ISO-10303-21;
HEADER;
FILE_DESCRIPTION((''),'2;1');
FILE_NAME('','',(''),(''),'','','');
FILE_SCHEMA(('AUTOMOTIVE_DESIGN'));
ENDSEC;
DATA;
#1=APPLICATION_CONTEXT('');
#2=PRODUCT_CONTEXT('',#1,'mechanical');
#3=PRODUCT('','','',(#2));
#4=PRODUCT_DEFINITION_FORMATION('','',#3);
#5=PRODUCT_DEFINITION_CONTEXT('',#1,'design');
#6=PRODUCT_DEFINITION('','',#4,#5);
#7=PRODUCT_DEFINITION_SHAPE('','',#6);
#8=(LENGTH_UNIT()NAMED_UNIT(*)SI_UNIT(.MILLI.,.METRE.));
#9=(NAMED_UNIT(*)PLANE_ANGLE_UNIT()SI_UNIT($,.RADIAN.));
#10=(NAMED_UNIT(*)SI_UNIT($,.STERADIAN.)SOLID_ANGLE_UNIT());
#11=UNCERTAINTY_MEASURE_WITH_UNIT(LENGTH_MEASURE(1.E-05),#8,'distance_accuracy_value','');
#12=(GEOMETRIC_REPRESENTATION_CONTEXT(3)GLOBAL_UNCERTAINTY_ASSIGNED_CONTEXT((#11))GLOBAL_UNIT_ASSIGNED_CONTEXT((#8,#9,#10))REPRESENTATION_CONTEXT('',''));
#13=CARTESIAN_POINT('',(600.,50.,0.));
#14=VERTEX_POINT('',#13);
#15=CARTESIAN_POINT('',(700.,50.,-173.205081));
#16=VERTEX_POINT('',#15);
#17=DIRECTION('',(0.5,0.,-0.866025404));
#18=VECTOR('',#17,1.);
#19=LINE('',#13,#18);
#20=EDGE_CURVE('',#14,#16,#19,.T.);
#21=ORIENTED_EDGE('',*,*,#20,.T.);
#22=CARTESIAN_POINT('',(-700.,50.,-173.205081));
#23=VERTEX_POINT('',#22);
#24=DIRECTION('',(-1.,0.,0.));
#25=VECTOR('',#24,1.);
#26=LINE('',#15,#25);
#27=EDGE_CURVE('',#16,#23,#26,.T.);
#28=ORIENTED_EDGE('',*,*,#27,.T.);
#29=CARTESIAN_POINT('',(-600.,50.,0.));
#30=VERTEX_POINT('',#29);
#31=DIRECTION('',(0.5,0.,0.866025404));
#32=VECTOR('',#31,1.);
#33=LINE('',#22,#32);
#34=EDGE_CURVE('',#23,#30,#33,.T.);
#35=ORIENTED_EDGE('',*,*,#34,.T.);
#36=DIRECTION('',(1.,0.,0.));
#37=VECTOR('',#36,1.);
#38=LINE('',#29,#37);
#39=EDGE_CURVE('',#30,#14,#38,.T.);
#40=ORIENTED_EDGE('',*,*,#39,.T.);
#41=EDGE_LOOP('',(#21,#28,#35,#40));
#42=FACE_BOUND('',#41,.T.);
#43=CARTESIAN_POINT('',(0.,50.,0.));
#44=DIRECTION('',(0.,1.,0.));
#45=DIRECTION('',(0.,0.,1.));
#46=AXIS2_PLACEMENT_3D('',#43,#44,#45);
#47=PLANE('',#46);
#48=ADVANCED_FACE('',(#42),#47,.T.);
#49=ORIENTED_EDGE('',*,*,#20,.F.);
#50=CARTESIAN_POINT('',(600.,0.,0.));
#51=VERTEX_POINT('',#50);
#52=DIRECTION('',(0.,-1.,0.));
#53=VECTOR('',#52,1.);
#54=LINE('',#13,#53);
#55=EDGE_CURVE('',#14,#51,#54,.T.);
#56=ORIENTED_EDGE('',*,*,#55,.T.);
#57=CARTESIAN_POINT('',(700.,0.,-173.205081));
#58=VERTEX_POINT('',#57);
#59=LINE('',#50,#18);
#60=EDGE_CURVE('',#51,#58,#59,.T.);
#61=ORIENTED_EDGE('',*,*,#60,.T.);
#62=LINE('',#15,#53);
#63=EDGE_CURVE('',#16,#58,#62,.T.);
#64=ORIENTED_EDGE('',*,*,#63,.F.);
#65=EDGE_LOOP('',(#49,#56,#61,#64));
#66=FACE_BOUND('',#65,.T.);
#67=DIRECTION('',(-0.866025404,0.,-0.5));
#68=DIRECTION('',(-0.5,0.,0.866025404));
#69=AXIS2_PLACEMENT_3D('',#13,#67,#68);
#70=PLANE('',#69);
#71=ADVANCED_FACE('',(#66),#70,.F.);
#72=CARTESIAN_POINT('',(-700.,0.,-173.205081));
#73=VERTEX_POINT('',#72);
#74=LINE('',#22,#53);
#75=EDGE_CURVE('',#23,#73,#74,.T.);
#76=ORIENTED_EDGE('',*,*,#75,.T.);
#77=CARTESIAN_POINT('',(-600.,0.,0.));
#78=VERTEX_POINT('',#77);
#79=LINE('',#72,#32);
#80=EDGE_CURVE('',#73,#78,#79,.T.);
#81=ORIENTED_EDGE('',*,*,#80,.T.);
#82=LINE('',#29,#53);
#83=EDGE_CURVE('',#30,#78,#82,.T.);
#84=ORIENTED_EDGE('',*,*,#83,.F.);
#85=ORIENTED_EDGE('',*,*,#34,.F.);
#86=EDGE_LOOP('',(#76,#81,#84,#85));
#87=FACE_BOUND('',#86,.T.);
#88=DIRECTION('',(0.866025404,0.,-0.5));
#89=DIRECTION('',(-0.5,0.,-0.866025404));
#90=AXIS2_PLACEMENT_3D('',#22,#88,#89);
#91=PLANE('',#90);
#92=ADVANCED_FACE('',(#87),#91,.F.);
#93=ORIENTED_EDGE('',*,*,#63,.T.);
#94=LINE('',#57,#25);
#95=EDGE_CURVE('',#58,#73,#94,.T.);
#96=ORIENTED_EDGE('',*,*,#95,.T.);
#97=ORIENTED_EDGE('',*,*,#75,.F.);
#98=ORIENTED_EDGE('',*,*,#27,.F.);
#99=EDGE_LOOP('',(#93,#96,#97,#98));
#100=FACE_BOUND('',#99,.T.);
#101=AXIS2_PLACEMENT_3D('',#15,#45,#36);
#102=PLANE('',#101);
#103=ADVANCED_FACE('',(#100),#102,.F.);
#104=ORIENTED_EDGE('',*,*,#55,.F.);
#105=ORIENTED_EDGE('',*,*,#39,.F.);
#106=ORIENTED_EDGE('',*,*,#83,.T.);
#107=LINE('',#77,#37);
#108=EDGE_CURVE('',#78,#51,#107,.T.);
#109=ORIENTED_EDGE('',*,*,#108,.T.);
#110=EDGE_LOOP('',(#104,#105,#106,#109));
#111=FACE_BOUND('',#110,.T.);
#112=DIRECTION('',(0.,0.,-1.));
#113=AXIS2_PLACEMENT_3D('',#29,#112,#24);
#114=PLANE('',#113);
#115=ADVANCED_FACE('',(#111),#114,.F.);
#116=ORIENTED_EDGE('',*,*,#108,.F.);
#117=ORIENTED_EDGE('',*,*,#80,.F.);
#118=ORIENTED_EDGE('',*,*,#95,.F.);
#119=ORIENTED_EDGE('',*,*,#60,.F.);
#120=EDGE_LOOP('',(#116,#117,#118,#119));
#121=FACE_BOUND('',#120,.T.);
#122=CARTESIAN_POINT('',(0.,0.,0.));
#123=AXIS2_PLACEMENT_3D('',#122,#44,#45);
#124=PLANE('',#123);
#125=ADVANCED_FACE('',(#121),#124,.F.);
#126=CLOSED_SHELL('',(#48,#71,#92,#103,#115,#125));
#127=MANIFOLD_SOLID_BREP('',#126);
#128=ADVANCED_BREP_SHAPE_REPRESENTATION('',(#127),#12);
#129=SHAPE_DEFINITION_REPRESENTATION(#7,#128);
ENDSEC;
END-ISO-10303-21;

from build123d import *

# Parameters (mm, degrees)
BOSS_EXTRUDE1_DEPTH = 50


with BuildPart() as part:
    # Sketch1 → Boss-Extrude1 (new body)
    with BuildSketch(Plane(origin=(0, 0, 0), x_dir=(1, 0, 0), z_dir=(0, 1, 0))):
        Polygon((-600, 0), (600, 0), (700, 173.205080757), (-700, 173.205080757), align=None)
    extrude(amount=BOSS_EXTRUDE1_DEPTH)


solid = part.part
